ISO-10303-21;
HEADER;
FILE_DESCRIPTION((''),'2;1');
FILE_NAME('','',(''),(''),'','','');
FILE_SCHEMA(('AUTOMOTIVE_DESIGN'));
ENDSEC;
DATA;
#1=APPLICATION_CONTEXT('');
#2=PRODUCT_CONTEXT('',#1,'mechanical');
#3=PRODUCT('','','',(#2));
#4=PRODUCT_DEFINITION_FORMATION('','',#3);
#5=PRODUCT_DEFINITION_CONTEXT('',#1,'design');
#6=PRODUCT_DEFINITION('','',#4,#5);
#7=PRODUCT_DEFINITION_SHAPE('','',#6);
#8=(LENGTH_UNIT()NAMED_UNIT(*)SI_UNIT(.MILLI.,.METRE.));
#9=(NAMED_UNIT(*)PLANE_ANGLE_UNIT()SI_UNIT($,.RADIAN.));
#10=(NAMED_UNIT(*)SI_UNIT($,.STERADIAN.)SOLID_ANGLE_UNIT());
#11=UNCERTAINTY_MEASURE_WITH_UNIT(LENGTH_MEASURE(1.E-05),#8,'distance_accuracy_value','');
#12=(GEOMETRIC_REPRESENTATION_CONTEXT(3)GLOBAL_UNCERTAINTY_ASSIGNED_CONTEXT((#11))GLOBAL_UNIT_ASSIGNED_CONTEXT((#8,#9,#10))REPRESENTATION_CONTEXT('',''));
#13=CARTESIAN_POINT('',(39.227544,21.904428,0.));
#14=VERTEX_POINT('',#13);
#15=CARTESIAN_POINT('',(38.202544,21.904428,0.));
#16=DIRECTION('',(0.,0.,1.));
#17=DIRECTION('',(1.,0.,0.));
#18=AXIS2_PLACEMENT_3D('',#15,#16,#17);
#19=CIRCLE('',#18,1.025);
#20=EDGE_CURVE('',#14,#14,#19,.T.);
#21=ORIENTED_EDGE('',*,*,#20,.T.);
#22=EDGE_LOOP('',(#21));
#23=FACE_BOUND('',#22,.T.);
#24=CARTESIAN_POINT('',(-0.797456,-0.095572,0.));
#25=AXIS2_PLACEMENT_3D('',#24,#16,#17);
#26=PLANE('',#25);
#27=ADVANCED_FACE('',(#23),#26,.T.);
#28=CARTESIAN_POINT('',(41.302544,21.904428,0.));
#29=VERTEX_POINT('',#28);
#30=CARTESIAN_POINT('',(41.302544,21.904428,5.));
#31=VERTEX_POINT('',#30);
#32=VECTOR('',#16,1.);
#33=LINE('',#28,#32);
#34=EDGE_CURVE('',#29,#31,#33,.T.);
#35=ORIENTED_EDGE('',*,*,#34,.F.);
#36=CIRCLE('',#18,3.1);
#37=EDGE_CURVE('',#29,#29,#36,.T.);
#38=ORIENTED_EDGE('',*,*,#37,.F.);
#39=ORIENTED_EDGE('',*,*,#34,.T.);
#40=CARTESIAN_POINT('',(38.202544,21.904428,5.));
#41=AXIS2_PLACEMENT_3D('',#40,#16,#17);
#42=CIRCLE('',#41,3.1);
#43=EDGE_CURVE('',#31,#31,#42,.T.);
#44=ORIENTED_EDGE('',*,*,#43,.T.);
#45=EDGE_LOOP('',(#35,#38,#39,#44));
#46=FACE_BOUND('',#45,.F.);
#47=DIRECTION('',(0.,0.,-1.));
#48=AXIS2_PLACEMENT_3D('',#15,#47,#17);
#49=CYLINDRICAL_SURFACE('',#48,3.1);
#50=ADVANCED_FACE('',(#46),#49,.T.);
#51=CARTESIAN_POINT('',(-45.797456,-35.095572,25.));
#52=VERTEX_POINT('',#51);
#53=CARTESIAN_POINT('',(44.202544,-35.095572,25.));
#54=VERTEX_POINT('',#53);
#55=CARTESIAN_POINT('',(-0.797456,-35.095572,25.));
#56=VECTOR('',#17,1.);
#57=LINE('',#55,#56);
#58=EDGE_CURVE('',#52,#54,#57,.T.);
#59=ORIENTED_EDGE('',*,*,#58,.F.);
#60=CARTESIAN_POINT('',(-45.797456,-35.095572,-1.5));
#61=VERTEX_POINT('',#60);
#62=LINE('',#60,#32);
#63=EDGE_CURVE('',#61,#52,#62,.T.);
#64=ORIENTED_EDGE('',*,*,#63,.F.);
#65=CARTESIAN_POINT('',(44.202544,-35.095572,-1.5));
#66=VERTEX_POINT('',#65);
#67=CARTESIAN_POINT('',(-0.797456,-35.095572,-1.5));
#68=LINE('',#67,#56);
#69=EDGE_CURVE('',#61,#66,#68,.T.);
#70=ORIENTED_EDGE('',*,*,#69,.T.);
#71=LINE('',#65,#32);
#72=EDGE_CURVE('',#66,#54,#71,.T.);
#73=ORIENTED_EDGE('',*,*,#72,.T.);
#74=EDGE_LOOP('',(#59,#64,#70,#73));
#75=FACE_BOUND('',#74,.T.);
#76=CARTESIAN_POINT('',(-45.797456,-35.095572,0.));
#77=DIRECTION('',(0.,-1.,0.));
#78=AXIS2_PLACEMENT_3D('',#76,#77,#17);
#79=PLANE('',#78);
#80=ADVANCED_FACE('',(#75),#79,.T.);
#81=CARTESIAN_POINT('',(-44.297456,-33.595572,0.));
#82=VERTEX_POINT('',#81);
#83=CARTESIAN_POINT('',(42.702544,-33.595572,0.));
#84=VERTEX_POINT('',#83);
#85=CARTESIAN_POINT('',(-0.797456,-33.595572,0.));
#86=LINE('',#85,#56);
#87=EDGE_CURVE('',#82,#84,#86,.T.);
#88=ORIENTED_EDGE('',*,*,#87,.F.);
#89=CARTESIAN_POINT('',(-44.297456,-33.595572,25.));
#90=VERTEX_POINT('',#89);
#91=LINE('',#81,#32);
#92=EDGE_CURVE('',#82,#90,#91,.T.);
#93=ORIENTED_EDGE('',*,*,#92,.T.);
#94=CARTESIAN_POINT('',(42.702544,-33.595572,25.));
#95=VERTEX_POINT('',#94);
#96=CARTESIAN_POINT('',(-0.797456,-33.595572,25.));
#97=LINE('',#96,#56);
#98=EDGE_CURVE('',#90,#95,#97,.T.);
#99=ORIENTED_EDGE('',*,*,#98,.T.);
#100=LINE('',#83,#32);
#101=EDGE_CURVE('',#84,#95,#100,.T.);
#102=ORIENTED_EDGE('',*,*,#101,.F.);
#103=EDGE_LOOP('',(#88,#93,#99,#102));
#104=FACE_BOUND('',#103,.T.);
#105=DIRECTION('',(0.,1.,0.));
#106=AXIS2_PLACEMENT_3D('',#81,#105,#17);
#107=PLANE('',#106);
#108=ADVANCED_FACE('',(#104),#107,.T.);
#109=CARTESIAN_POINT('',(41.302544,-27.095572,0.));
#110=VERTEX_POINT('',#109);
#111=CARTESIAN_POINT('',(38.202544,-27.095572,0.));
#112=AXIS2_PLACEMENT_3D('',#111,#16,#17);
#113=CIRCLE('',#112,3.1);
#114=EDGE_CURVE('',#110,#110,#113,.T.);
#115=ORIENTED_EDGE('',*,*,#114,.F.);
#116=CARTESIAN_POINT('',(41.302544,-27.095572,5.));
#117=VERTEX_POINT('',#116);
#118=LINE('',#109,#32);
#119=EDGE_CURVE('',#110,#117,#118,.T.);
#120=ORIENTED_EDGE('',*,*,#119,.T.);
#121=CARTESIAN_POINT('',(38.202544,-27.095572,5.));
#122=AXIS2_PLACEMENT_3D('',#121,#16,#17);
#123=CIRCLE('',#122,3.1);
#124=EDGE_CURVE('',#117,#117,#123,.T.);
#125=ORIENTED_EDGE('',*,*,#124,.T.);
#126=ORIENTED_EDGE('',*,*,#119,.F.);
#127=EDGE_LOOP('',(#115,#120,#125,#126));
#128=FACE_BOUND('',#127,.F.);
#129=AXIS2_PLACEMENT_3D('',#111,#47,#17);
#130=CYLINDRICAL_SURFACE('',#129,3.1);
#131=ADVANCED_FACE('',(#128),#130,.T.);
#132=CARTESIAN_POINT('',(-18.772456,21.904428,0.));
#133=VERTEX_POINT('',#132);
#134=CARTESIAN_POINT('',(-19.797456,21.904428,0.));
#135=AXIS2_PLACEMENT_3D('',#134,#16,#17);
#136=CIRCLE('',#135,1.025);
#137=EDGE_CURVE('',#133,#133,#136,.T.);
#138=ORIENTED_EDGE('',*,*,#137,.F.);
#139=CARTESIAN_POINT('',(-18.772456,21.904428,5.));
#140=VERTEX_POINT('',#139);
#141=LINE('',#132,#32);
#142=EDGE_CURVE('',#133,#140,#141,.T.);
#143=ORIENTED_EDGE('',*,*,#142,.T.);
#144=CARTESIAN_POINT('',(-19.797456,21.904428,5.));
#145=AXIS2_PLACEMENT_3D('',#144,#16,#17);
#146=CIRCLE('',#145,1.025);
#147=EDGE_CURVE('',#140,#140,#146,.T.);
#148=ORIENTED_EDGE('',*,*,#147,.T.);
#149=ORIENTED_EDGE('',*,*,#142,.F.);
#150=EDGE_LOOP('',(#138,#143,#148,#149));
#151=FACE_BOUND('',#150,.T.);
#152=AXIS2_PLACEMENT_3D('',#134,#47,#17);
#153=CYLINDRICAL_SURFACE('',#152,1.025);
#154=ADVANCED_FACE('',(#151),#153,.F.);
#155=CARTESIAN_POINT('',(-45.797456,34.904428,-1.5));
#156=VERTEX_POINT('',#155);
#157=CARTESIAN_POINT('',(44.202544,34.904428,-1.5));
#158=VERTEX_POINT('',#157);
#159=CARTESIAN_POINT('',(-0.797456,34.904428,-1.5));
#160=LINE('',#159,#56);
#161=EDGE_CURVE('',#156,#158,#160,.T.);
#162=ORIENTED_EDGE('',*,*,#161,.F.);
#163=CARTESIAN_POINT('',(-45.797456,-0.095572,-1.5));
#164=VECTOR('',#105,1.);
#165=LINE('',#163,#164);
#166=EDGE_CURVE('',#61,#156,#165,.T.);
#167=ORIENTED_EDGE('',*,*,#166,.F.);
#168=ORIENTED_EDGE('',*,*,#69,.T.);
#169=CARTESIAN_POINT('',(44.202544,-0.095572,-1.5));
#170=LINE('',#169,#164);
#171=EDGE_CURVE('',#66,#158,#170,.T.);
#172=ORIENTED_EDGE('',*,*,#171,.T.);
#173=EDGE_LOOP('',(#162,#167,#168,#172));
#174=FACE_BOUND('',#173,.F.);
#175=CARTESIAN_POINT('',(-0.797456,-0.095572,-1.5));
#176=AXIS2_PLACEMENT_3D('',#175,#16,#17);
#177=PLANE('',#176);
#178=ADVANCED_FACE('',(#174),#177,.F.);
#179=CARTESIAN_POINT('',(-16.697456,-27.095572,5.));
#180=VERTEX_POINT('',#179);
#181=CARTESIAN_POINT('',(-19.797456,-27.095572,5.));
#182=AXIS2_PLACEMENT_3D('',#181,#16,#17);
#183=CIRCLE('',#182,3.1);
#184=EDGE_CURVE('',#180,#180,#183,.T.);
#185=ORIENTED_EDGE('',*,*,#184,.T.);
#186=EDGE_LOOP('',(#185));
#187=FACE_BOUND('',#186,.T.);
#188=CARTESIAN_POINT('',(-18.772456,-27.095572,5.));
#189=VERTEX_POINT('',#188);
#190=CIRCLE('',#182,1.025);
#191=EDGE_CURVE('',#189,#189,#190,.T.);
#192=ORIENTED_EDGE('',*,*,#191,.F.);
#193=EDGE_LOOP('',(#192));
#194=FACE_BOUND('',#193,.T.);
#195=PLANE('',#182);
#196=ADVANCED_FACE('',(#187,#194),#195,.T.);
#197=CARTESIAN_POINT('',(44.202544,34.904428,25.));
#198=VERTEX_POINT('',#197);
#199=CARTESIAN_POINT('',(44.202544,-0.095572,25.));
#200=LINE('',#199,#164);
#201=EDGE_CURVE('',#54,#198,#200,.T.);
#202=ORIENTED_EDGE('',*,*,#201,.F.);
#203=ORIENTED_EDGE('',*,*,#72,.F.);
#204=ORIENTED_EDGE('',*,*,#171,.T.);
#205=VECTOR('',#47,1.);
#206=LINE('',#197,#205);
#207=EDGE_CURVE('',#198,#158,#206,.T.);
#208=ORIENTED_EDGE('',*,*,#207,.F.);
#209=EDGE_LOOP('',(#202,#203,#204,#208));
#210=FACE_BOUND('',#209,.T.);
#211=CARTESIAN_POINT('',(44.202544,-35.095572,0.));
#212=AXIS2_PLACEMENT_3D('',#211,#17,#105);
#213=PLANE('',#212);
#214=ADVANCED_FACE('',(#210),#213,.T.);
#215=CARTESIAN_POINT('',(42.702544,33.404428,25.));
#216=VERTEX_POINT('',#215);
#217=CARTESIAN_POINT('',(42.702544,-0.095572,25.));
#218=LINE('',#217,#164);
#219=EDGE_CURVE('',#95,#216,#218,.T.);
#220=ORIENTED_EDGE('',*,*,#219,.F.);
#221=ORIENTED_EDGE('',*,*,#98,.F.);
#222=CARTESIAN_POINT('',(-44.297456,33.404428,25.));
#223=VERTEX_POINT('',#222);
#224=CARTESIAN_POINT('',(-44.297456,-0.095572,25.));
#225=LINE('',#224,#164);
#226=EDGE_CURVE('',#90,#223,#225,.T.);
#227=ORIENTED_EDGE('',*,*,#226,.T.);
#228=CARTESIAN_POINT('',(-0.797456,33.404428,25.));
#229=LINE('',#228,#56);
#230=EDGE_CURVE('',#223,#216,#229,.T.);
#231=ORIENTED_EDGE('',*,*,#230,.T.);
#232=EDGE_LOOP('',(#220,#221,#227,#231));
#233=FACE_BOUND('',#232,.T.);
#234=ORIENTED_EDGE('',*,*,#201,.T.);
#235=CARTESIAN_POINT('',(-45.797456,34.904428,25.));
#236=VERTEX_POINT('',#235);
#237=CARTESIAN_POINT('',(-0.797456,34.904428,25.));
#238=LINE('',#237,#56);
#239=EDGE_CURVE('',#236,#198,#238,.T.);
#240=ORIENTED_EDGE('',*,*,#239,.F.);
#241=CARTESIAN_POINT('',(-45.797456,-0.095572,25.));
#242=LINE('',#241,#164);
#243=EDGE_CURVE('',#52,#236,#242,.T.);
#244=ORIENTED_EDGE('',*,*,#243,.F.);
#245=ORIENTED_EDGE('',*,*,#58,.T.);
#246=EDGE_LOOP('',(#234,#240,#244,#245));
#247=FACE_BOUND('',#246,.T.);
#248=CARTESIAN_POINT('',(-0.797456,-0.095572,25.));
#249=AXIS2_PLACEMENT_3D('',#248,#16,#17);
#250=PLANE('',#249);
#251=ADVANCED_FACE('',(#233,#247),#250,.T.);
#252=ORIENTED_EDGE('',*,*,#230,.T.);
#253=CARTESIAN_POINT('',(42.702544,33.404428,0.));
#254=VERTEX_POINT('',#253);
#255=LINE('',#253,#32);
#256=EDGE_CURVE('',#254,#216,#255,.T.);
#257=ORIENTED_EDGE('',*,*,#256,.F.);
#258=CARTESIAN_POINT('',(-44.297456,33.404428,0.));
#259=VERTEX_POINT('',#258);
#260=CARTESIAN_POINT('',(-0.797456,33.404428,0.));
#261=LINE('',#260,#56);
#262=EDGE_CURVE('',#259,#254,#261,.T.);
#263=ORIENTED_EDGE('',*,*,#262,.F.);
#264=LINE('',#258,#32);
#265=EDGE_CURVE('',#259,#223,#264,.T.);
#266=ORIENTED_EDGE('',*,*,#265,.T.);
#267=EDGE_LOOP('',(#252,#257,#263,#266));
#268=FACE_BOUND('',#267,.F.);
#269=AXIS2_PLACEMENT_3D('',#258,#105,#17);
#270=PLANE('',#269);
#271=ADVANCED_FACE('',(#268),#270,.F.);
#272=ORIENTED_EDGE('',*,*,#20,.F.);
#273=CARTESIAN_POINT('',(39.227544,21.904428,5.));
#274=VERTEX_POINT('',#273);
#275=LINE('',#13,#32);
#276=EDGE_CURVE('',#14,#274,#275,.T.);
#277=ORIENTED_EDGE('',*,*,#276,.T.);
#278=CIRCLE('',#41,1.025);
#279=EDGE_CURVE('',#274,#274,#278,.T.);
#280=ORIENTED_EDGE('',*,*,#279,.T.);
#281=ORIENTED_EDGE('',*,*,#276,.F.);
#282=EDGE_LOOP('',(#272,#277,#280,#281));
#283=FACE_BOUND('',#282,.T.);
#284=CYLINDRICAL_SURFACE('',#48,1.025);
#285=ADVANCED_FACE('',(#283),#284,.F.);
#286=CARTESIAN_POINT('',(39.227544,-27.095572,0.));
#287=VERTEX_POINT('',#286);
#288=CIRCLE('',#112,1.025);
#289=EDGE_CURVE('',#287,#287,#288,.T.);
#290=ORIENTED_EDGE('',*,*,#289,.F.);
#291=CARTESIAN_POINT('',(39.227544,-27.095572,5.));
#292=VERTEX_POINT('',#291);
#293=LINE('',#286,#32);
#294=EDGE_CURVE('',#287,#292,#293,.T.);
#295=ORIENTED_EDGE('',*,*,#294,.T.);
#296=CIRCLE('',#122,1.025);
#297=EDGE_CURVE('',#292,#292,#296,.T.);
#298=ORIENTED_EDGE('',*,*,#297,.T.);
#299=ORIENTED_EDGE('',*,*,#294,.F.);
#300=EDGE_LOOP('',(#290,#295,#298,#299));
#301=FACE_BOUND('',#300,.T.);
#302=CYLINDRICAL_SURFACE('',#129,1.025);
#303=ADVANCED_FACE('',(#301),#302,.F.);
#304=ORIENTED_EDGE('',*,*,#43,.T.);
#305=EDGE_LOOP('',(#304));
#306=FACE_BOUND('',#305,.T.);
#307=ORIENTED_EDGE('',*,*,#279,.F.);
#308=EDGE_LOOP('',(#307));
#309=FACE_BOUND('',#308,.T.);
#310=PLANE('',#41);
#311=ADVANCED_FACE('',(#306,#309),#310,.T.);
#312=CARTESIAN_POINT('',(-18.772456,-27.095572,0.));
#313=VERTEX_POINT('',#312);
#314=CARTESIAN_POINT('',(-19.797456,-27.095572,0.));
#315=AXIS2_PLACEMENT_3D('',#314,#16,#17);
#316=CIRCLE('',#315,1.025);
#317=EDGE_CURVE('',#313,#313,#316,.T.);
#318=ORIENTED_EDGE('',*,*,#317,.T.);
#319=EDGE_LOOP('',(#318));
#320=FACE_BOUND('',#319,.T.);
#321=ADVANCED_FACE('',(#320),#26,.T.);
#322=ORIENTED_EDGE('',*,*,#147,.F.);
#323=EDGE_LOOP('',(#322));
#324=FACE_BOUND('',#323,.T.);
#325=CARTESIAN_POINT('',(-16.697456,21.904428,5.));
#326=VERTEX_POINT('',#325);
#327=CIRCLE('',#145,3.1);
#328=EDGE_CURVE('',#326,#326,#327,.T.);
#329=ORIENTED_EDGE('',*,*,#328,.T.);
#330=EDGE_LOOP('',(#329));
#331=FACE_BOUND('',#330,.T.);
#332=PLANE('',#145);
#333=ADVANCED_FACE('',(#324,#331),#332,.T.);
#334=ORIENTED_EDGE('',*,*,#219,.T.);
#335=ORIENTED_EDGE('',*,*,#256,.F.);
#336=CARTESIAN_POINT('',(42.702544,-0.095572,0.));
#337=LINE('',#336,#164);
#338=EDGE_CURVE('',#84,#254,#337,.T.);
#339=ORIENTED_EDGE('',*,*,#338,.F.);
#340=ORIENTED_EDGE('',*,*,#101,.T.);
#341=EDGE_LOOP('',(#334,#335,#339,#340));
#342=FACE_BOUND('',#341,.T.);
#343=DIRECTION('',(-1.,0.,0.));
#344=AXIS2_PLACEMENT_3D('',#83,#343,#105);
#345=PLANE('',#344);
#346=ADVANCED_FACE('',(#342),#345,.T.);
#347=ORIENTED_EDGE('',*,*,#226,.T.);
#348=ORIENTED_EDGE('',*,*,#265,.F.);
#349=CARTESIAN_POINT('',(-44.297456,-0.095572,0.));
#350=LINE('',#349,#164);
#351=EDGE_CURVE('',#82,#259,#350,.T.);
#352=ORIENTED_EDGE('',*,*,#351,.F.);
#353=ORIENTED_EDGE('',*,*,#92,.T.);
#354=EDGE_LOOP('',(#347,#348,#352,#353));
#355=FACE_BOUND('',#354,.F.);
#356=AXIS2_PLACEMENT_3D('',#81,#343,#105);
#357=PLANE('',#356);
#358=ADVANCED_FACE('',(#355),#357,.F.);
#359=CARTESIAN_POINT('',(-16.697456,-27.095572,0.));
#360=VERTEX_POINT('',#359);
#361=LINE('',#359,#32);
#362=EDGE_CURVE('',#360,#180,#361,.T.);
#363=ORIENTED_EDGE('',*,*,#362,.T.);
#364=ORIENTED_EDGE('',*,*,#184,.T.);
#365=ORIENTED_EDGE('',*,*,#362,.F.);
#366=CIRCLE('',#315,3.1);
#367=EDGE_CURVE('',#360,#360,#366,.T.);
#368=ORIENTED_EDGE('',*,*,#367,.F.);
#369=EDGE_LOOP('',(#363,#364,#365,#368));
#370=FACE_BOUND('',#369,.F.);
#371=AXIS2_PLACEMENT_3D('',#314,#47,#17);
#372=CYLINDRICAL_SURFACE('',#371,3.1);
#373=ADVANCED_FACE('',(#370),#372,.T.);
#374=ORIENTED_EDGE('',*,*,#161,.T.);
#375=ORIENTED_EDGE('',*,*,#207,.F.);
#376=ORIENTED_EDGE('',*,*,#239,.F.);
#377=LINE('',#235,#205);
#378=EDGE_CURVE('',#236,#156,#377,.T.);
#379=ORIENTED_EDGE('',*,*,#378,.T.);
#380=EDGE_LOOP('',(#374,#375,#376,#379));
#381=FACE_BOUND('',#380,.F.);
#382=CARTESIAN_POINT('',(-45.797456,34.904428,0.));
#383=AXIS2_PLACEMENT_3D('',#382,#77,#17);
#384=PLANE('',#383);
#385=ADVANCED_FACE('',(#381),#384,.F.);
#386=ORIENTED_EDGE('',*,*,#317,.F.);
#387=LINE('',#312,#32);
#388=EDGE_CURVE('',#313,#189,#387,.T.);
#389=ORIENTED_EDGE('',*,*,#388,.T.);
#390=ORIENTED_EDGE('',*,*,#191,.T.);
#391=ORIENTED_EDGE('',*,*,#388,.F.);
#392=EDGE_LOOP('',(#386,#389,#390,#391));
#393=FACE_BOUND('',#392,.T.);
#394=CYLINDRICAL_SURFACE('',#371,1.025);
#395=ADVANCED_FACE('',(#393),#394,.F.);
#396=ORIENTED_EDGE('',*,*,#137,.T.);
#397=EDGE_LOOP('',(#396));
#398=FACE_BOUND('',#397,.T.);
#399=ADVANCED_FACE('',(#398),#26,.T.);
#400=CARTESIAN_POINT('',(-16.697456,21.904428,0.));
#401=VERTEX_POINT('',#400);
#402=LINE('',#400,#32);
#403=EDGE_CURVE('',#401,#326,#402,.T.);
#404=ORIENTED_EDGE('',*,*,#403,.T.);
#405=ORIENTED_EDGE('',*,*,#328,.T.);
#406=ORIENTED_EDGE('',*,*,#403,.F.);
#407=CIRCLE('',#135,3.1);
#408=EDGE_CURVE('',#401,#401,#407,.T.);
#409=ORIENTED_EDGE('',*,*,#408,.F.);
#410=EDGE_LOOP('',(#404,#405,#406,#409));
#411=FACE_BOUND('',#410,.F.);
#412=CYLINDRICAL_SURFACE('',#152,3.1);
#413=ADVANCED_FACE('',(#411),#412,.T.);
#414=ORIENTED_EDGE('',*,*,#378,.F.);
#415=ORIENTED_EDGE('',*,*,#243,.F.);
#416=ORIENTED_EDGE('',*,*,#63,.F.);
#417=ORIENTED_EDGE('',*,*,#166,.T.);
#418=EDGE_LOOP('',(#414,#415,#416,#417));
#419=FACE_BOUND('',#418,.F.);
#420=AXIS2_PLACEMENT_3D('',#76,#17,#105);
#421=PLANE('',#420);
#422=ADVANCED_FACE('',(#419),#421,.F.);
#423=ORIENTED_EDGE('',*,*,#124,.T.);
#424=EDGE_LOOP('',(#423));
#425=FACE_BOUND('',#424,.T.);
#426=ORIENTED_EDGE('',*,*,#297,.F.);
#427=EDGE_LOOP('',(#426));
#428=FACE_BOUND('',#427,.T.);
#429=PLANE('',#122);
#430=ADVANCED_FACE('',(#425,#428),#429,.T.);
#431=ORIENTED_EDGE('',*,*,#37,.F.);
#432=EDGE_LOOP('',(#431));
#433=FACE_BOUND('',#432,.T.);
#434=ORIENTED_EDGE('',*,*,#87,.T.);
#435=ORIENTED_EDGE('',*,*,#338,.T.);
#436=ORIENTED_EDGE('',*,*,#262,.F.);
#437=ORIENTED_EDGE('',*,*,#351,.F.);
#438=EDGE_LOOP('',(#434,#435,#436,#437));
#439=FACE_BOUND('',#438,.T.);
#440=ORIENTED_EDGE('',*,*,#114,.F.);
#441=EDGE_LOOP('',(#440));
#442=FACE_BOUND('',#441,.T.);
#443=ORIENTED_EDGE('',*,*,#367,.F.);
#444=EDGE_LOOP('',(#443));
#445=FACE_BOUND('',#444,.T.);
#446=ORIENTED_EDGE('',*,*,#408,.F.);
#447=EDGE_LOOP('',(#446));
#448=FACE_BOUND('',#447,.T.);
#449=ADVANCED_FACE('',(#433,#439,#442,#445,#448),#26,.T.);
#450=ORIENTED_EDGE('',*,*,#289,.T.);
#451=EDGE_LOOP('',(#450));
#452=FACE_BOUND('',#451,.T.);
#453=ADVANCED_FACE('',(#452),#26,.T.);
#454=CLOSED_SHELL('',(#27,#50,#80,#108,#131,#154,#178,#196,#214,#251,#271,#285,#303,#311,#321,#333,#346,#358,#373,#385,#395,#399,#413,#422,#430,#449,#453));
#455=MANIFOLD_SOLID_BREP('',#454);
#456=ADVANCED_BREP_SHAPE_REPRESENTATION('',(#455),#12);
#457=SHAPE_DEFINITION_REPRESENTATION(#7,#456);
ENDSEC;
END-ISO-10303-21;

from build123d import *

# Parameters (mm, degrees)
F0_W     = 90
F0_H     = 70
F0_W_2   = 87
F0_H_2   = 67
F1_DEPTH = 25
F0_R     = 3.1
F0_R_2   = 1.025
F2_DEPTH = 1.5
F3_DEPTH = 5


with BuildPart() as f1:
    # F0 (on Top) → F1 (new body)
    with BuildSketch(Plane.XY):
        with Locations((-0.797456, -0.095572)):
            Rectangle(F0_W, F0_H)
        with Locations((-0.797456, -0.095572)):
            Rectangle(F0_W_2, F0_H_2, mode=Mode.SUBTRACT)
    extrude(amount=F1_DEPTH)

    # F0 (on Top) → F2 (join)
    with BuildSketch(Plane.XY):
        with Locations((-0.797456, -0.095572)):
            Rectangle(F0_W, F0_H)
        with Locations((-0.797456, -0.095572)):
            Rectangle(F0_W_2, F0_H_2, mode=Mode.SUBTRACT)
        with Locations((-0.797456, -0.095572)):
            Rectangle(F0_W_2, F0_H_2)
        with Locations((-19.797456, -27.095572)):
            Circle(F0_R, mode=Mode.SUBTRACT)
        with Locations((38.202544, -27.095572)):
            Circle(F0_R, mode=Mode.SUBTRACT)
        with Locations((-19.797456, 21.904428)):
            Circle(F0_R, mode=Mode.SUBTRACT)
        with Locations((38.202544, 21.904428)):
            Circle(F0_R, mode=Mode.SUBTRACT)
        with Locations((38.202544, -27.095572)):
            Circle(F0_R)
        with Locations((38.202544, -27.095572)):
            Circle(F0_R_2, mode=Mode.SUBTRACT)
        with Locations((38.202544, -27.095572)):
            Circle(F0_R_2)
        with Locations((38.202544, 21.904428)):
            Circle(F0_R)
        with Locations((38.202544, 21.904428)):
            Circle(F0_R_2, mode=Mode.SUBTRACT)
        with Locations((38.202544, 21.904428)):
            Circle(F0_R_2)
        with Locations((-19.797456, 21.904428)):
            Circle(F0_R)
        with Locations((-19.797456, 21.904428)):
            Circle(F0_R_2, mode=Mode.SUBTRACT)
        with Locations((-19.797456, 21.904428)):
            Circle(F0_R_2)
        with Locations((-19.797456, -27.095572)):
            Circle(F0_R)
        with Locations((-19.797456, -27.095572)):
            Circle(F0_R_2, mode=Mode.SUBTRACT)
        with Locations((-19.797456, -27.095572)):
            Circle(F0_R_2)
    extrude(amount=-F2_DEPTH)

    # F0 (on Top) → F3 (join)
    with BuildSketch(Plane.XY):
        with Locations((-19.797456, 21.904428)):
            Circle(F0_R)
        with Locations((-19.797456, 21.904428)):
            Circle(F0_R_2, mode=Mode.SUBTRACT)
        with Locations((38.202544, 21.904428)):
            Circle(F0_R)
        with Locations((38.202544, 21.904428)):
            Circle(F0_R_2, mode=Mode.SUBTRACT)
        with Locations((38.202544, -27.095572)):
            Circle(F0_R)
        with Locations((38.202544, -27.095572)):
            Circle(F0_R_2, mode=Mode.SUBTRACT)
        with Locations((-19.797456, -27.095572)):
            Circle(F0_R)
        with Locations((-19.797456, -27.095572)):
            Circle(F0_R_2, mode=Mode.SUBTRACT)
    extrude(amount=F3_DEPTH)


solid = f1.part
